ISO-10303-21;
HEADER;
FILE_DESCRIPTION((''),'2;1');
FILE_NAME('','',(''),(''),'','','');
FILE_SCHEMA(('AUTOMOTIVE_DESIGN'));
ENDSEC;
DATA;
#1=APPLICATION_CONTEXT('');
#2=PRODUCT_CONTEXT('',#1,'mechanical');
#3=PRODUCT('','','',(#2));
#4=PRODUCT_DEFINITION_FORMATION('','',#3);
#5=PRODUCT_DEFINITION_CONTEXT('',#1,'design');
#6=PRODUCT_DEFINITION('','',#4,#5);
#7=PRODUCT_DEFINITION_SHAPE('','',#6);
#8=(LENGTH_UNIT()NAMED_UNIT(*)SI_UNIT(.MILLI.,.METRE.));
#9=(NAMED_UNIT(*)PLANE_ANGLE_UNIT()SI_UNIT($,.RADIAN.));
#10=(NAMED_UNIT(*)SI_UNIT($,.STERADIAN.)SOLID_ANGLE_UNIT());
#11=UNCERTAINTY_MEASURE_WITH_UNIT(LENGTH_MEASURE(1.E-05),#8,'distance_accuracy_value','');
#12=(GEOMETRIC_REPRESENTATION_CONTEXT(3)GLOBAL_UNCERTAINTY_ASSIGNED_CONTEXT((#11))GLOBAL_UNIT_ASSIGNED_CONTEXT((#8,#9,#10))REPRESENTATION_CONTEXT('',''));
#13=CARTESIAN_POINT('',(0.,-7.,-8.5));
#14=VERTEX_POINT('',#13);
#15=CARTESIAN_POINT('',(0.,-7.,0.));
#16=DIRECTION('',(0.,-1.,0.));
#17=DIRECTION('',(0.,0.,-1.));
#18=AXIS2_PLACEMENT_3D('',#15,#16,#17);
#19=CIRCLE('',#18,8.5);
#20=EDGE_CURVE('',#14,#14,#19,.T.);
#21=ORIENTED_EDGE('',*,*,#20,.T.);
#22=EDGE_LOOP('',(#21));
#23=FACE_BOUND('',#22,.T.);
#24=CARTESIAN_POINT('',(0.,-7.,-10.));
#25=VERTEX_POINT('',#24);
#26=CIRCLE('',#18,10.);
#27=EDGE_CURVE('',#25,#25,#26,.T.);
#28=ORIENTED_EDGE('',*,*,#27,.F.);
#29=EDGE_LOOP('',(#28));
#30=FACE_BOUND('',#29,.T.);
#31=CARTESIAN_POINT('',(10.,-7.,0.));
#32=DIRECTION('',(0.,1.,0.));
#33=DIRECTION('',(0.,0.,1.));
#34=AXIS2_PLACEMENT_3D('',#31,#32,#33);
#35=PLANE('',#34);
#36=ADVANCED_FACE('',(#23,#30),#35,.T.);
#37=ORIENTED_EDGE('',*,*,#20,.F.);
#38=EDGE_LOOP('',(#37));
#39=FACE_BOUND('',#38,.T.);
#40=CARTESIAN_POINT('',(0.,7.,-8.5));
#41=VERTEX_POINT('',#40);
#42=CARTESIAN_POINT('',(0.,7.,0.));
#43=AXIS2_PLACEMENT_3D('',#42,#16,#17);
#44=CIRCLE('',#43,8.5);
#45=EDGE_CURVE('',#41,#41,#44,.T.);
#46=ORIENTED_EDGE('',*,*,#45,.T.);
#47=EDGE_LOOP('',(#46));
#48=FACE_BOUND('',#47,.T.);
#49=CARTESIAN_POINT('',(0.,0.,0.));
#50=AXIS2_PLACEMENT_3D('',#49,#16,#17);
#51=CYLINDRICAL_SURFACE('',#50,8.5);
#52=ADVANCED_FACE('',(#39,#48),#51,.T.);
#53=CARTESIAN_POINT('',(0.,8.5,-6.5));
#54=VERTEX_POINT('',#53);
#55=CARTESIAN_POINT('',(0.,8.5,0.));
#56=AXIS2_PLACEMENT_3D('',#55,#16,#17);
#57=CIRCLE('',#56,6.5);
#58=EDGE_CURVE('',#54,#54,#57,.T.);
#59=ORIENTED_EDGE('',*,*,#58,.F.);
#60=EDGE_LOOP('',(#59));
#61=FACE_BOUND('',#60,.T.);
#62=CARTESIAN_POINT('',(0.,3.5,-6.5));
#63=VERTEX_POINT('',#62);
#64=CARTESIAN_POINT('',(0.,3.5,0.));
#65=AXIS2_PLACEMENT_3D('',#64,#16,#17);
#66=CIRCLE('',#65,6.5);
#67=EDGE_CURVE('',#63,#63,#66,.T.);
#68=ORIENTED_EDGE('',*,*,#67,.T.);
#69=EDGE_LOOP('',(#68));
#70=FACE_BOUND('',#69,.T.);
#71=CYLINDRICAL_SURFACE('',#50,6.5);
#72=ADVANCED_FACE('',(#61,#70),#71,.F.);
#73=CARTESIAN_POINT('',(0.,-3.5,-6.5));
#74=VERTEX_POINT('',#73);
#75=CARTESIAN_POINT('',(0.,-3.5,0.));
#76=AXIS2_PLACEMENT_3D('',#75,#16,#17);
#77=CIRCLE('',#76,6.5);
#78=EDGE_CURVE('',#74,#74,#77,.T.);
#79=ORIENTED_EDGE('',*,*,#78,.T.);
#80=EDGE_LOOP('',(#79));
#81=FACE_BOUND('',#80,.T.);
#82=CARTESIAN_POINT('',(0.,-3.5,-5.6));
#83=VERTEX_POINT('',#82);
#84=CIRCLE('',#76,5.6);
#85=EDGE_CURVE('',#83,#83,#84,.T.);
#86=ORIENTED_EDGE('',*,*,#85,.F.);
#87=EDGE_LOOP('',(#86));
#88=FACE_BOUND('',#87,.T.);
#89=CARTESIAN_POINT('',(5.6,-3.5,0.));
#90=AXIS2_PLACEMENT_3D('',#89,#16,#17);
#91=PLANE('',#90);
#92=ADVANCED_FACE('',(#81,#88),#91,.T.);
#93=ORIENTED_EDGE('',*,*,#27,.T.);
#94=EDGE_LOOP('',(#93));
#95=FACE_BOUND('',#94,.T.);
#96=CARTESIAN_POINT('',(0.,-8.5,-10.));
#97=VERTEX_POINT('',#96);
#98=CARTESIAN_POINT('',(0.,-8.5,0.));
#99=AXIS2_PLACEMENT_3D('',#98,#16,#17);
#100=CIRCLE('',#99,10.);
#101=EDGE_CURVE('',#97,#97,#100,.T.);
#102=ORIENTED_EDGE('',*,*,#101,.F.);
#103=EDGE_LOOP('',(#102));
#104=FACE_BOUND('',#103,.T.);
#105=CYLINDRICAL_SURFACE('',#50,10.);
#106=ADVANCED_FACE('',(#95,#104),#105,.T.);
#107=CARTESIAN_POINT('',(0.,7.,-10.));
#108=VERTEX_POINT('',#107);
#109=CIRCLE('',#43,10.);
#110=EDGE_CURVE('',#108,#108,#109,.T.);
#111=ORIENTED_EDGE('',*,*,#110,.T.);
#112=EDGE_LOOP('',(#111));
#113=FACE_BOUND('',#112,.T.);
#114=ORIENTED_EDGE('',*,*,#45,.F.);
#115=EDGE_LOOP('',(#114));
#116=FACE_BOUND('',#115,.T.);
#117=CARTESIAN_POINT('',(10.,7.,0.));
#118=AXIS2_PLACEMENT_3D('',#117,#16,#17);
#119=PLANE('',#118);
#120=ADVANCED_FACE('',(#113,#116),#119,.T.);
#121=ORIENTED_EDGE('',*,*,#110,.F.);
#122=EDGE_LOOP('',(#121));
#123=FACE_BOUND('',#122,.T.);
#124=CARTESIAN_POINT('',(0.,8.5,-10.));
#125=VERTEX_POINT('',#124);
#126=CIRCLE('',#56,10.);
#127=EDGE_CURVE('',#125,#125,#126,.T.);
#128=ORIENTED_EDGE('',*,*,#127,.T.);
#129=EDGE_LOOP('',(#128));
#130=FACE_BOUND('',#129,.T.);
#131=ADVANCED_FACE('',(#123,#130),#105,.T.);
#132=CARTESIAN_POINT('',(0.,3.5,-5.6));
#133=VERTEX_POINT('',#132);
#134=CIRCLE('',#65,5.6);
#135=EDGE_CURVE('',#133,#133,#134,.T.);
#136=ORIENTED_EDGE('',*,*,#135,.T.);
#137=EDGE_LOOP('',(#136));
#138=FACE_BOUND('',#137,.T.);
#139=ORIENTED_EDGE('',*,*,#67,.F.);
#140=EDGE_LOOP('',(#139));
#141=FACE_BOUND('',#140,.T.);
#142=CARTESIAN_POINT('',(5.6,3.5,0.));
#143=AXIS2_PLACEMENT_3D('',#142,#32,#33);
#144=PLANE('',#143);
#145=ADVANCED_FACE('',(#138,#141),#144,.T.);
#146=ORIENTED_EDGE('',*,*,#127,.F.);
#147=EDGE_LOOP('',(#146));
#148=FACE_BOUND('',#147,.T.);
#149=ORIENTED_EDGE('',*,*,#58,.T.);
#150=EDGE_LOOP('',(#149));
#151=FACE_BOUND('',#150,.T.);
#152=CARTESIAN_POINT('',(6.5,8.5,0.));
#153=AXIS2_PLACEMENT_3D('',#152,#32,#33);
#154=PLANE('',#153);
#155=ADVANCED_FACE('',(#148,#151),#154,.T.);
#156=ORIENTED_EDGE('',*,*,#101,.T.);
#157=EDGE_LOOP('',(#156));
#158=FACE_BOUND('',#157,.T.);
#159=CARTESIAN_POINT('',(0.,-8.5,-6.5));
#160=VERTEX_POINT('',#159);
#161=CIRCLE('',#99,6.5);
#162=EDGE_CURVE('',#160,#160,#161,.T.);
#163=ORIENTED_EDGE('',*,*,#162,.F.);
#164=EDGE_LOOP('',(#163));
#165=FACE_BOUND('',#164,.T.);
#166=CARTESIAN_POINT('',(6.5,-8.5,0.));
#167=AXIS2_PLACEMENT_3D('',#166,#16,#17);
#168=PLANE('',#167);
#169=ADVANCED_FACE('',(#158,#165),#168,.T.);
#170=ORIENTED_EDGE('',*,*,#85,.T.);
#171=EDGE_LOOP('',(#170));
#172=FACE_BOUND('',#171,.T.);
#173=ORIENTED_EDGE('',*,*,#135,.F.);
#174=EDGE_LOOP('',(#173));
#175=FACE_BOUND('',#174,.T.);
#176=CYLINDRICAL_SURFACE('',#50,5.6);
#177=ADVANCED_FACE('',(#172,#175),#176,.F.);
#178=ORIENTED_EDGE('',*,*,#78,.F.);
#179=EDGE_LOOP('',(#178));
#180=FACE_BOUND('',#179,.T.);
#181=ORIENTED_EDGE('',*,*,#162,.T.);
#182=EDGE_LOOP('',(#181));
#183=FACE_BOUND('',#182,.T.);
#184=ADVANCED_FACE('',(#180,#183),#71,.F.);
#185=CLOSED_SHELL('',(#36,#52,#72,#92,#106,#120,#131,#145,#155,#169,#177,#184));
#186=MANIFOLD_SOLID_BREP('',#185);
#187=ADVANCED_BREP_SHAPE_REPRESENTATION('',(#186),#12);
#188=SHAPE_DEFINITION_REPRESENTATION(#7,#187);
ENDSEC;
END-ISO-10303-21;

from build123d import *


with BuildPart() as part:
    # Эскиз1 → Повернуть1 (revolve)
    with BuildSketch(Plane.XY, mode=Mode.PRIVATE) as revolve_1_sk:
        Polygon((5.6, -3.5), (5.6, 3.5), (6.5, 3.5), (6.5, 8.5), (10, 8.5), (10, 7), (8.5, 7), (8.5, -7), (10, -7), (10, -8.5), (6.5, -8.5), (6.5, -3.5), align=None)
    revolve(revolve_1_sk.sketch.rotate(Axis((0, 0, 0), (0, 1, 0)), 90), axis=Axis((0, 0, 0), (0, 1, 0)))


solid = part.part
